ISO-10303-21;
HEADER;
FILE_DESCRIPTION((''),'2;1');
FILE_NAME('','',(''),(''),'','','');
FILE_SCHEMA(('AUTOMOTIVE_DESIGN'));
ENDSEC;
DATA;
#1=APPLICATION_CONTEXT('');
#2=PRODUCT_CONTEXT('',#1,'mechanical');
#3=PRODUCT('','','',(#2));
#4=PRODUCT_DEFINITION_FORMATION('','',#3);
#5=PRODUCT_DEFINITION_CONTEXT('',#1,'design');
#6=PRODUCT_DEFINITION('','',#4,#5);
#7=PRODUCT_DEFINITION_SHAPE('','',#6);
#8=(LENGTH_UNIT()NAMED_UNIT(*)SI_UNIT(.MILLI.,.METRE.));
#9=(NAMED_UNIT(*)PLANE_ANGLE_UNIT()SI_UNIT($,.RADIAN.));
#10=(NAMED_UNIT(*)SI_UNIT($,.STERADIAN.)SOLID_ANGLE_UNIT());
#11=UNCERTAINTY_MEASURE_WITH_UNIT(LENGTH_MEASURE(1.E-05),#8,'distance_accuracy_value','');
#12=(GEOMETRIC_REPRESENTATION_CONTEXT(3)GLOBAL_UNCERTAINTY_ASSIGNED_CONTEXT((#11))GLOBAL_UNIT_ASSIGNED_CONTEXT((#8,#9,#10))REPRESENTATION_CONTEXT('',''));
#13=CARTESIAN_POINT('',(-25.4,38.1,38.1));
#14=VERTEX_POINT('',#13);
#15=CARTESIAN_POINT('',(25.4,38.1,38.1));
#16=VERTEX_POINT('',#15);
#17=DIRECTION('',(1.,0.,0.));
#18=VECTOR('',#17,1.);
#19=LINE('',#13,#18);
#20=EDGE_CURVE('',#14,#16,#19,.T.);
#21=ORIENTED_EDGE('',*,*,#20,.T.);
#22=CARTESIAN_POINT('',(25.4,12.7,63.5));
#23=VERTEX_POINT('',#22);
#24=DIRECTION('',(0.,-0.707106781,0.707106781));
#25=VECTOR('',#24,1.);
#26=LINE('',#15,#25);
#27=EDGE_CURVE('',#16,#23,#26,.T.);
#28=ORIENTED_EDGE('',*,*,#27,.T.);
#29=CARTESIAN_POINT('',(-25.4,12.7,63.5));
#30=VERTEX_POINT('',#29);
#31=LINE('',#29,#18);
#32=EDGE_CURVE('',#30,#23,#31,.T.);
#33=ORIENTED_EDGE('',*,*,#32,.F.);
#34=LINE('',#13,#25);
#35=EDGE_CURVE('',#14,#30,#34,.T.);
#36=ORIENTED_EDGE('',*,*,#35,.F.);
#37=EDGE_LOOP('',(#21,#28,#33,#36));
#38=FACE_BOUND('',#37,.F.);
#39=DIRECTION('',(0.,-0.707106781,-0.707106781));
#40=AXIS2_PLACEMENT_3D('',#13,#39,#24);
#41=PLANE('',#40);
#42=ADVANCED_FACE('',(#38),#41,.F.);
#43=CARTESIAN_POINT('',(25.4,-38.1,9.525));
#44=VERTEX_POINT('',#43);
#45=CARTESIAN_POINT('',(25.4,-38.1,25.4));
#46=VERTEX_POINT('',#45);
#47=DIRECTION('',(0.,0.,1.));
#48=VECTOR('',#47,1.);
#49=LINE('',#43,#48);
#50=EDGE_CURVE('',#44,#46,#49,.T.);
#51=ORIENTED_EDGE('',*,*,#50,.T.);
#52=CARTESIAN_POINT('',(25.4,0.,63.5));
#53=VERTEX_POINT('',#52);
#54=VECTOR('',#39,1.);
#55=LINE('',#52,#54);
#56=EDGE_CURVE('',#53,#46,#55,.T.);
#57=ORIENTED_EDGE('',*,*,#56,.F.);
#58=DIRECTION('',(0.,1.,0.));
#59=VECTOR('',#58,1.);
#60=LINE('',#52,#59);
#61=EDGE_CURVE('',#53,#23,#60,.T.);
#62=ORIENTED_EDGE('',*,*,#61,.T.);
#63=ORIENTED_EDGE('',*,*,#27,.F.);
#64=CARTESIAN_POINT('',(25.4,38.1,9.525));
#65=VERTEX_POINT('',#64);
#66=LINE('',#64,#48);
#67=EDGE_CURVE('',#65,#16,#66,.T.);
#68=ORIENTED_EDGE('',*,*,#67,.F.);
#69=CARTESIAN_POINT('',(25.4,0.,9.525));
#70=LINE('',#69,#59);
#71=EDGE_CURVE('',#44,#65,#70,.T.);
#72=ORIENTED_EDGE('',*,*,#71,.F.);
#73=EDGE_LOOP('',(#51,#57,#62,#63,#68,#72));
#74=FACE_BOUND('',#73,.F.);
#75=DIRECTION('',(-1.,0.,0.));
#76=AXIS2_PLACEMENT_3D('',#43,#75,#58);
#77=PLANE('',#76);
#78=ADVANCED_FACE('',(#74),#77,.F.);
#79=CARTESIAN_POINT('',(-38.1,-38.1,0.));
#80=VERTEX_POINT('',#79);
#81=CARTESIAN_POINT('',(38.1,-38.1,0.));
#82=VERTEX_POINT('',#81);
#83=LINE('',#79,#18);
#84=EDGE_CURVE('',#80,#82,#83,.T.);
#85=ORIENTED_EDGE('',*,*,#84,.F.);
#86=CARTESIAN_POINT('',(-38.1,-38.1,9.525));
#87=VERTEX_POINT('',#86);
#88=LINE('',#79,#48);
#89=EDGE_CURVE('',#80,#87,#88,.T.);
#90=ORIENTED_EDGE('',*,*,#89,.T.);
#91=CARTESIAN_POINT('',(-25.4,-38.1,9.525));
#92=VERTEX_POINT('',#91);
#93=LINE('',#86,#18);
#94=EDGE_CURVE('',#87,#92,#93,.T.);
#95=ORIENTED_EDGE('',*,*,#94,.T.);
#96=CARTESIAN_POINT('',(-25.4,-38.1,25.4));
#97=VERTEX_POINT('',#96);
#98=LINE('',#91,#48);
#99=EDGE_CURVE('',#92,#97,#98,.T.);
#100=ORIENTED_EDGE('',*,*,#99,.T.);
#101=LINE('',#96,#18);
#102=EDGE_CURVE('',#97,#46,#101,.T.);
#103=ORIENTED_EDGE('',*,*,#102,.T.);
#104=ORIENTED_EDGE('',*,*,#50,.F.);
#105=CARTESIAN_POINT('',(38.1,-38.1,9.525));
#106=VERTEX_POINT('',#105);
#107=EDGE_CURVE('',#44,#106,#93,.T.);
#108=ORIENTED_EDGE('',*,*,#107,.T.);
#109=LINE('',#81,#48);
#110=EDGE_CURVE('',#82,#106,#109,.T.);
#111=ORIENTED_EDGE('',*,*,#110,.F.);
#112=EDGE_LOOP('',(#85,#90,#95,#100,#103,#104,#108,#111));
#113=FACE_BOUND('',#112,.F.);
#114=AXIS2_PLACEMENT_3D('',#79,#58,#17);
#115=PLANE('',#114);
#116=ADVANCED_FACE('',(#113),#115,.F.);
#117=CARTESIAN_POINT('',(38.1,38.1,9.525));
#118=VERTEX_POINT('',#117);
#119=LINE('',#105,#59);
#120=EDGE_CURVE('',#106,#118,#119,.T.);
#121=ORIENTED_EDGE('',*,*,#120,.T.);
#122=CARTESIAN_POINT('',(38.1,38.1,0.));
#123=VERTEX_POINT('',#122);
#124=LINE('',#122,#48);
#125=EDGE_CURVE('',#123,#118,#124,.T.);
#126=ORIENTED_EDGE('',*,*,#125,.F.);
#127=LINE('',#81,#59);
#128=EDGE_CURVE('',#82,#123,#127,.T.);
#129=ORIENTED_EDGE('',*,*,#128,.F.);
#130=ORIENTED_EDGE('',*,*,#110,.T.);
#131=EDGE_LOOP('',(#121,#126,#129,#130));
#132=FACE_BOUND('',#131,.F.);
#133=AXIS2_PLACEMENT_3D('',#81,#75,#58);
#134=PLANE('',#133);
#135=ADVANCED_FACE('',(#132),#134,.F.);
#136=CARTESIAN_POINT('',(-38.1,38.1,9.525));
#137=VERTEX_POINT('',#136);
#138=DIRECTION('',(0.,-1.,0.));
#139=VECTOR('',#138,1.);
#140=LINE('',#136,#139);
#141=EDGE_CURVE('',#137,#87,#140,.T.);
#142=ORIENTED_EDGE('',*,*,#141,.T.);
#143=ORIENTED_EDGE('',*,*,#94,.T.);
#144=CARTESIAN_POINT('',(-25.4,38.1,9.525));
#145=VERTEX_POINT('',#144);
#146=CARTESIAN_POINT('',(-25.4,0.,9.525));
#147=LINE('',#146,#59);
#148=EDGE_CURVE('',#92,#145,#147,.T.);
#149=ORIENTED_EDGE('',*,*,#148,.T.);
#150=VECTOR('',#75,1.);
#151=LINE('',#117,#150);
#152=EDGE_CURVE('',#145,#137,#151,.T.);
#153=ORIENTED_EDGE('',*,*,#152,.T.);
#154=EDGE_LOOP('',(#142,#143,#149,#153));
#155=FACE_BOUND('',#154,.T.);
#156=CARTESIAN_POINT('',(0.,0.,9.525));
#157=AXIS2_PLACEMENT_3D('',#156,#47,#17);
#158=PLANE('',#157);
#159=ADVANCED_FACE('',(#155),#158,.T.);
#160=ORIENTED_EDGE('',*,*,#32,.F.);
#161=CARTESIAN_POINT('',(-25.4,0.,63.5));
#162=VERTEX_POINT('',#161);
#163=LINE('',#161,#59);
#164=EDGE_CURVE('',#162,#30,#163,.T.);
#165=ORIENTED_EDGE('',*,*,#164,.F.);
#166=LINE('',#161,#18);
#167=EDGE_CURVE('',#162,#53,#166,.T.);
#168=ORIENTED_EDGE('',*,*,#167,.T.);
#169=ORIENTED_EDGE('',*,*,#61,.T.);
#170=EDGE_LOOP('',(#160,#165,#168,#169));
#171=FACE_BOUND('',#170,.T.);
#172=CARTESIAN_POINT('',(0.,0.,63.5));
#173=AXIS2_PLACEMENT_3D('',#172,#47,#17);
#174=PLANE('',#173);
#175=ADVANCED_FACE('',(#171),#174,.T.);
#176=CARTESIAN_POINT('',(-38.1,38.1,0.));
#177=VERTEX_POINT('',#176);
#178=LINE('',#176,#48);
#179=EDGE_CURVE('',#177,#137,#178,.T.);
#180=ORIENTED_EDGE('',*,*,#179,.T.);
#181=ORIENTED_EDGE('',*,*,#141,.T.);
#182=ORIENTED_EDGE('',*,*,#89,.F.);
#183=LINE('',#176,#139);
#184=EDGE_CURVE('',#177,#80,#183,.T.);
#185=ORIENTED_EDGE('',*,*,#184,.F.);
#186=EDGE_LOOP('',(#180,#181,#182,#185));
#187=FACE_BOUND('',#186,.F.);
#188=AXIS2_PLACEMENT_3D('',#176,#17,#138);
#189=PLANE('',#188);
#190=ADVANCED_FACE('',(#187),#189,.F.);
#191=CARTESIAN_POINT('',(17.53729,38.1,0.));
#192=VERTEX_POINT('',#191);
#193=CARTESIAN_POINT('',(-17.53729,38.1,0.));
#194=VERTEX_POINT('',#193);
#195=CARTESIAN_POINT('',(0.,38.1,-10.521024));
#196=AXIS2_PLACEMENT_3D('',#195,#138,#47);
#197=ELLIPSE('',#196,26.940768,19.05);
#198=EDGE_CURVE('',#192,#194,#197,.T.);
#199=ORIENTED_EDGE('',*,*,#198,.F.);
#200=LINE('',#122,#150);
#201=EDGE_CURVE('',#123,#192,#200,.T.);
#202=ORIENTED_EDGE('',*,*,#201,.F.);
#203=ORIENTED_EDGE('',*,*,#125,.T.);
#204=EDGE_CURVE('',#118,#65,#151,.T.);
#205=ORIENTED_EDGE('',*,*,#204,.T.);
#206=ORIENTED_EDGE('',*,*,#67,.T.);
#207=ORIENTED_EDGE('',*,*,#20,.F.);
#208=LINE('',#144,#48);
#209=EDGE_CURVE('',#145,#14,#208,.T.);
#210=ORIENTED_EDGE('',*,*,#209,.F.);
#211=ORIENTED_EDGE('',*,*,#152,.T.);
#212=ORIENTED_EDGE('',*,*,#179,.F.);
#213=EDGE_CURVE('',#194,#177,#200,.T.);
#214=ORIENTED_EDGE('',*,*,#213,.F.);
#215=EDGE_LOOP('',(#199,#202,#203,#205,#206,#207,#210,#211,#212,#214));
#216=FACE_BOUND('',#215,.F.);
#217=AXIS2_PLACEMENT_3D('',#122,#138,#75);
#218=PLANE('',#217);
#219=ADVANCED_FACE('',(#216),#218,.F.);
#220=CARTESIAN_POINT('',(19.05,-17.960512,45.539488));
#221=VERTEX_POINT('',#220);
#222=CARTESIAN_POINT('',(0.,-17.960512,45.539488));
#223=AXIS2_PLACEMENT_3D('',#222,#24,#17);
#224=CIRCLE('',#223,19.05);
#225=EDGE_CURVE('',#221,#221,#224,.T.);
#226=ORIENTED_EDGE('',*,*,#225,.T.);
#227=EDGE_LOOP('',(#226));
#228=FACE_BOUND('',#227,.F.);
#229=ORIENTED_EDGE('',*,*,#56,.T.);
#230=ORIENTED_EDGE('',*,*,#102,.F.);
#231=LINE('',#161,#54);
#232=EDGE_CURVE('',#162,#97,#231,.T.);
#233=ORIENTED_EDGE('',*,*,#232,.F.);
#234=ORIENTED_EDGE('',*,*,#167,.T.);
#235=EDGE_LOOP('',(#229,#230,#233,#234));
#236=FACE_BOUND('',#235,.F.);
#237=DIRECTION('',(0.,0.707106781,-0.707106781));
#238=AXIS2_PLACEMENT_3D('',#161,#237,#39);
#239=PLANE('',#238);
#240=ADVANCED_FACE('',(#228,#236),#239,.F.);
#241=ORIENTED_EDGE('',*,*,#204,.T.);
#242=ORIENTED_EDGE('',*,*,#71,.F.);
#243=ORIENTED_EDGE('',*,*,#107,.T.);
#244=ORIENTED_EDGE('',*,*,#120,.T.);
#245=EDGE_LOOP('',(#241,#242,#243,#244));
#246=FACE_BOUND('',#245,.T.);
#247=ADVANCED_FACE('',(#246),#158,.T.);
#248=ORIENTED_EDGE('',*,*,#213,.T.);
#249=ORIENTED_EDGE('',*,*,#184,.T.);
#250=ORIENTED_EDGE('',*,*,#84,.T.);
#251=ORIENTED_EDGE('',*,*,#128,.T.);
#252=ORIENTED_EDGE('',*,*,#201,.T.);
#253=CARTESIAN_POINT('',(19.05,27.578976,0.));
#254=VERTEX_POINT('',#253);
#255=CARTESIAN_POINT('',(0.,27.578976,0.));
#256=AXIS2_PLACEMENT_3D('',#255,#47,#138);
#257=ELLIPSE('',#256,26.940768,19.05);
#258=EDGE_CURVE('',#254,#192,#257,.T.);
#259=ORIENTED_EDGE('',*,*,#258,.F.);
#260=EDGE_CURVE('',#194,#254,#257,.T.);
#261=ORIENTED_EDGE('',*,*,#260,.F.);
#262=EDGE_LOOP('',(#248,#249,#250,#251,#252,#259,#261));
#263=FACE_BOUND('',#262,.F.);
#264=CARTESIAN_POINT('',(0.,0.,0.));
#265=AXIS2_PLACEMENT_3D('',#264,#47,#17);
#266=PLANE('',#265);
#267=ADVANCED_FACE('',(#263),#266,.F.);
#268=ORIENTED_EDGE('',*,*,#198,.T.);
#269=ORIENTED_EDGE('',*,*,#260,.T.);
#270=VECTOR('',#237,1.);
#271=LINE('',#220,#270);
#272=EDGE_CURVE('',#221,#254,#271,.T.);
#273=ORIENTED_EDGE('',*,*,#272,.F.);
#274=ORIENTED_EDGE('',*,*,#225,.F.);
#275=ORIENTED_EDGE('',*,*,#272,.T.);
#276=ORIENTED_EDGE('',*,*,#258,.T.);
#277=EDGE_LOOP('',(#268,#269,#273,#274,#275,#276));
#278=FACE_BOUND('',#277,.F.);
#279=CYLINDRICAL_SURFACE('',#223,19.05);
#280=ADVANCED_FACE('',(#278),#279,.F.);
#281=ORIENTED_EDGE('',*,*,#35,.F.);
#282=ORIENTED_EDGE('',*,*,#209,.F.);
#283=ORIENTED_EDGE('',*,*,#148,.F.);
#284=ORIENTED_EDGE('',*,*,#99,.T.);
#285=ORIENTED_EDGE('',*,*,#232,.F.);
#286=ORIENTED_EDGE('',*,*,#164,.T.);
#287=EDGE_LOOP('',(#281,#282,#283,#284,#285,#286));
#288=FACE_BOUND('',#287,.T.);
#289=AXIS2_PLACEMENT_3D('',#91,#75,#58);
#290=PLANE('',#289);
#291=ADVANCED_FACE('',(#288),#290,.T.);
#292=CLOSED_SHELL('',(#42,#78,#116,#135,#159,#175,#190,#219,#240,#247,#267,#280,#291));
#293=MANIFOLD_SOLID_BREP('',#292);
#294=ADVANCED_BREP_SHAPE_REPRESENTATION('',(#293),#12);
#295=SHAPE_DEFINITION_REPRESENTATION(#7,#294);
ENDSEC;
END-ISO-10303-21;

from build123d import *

# Parameters (mm, degrees)
F1_DEPTH = 9.525
F2_W     = 50.8
F2_H     = 76.2
F3_DEPTH = 53.975
F5_DEPTH = 50.8
F6_R     = 19.05
F7_DEPTH = 76.2


with BuildPart() as f1:
    # F0 (on Top) → F1 (new body)
    with BuildSketch(Plane.XY):
        Polygon((0, 38.1), (-38.1, 38.1), (-38.1, 0), (-38.1, -38.1), (0, -38.1), (38.1, -38.1), (38.1, 0), (38.1, 38.1), align=None)
    extrude(amount=F1_DEPTH)

    # F2 (on face) → F3 (join)
    with BuildSketch(Plane.XY.offset(9.525)):
        Rectangle(F2_W, F2_H)
    extrude(amount=F3_DEPTH)

    # F4 (on face) → F5 (cut)
    with BuildSketch(Plane(origin=(-25.4, 0, 0), x_dir=(0, -1, 0), z_dir=(-1, 0, 0))):
        Polygon((-38.1, 63.5), (-38.1, 38.1), (-12.7, 63.5), align=None)
        Polygon((38.1, 63.5), (0, 63.5), (38.1, 25.4), align=None)
    extrude(amount=-F5_DEPTH, mode=Mode.SUBTRACT)

    # F6 (on face) → F7 (cut)
    with BuildSketch(Plane(origin=(0, -31.75, 31.75), x_dir=(1, 0, 0), z_dir=(0, -0.707107, 0.707107))):
        with Locations((0, 19.501281)):
            Circle(F6_R)
    extrude(amount=-F7_DEPTH, mode=Mode.SUBTRACT)


solid = f1.part
